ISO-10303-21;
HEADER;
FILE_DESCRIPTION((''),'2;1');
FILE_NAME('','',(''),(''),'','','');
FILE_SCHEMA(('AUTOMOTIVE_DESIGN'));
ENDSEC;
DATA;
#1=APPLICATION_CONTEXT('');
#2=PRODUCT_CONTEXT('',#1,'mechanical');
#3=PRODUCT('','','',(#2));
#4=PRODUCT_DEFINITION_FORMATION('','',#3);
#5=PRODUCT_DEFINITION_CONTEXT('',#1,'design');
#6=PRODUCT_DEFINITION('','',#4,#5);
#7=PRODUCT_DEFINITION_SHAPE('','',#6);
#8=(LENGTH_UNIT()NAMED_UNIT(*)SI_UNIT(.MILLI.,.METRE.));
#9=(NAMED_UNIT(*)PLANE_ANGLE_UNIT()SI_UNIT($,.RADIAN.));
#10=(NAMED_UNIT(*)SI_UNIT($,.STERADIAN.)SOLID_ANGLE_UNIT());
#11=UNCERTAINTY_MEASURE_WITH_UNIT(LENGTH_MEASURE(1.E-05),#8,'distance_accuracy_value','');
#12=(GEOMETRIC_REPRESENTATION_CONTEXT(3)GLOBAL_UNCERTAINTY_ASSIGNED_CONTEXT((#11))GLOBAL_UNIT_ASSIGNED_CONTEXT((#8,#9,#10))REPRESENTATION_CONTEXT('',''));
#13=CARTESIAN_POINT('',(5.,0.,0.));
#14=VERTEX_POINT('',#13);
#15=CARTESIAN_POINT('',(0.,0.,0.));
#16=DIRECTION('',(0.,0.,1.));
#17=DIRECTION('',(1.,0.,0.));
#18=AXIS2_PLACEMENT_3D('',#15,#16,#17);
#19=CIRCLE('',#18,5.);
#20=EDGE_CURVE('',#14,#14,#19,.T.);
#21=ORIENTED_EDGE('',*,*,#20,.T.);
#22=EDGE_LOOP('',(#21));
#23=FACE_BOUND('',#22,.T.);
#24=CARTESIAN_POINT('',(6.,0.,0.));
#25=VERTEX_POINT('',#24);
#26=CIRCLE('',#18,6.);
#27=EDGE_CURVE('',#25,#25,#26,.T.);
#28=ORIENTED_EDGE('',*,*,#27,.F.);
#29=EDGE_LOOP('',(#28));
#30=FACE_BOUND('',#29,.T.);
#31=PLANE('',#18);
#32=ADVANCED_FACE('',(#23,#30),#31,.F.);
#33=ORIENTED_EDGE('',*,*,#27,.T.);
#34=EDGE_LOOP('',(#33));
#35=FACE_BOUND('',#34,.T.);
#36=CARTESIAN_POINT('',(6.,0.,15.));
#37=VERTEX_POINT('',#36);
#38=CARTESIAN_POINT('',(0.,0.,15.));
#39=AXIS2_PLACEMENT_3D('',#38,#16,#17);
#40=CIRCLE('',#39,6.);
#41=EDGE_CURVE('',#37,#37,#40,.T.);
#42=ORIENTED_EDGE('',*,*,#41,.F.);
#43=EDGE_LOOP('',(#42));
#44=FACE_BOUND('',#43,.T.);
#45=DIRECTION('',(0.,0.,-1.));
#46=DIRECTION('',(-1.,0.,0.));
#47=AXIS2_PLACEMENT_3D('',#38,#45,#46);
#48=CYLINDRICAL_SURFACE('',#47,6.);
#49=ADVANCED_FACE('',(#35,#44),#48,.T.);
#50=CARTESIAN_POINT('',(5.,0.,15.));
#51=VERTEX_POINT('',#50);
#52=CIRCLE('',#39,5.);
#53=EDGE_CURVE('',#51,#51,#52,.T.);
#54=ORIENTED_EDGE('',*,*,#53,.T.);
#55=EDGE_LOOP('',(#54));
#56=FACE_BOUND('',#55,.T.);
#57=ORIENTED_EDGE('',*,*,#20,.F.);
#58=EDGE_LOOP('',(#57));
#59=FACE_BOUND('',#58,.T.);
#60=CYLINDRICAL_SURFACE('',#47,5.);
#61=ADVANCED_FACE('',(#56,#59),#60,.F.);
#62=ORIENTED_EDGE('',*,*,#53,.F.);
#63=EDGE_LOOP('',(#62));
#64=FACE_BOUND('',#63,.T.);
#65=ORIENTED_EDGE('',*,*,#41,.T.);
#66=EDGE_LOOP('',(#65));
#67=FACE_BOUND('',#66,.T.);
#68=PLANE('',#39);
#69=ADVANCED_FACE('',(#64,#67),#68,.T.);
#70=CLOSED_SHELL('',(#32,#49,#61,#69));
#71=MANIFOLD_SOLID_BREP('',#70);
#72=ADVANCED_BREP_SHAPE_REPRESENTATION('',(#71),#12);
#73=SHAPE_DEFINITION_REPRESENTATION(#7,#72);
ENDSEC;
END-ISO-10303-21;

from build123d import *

# Parameters (mm, degrees)
SKETCH_1_R      = 6
SKETCH_1_R_2    = 5
EXTRUDE_1_DEPTH = 15


with BuildPart() as part:
    # 스케치1 → 보스-돌출1 (new body)
    with BuildSketch(Plane.XY):
        Circle(SKETCH_1_R)
        Circle(SKETCH_1_R_2, mode=Mode.SUBTRACT)
    extrude(amount=EXTRUDE_1_DEPTH)


solid = part.part
